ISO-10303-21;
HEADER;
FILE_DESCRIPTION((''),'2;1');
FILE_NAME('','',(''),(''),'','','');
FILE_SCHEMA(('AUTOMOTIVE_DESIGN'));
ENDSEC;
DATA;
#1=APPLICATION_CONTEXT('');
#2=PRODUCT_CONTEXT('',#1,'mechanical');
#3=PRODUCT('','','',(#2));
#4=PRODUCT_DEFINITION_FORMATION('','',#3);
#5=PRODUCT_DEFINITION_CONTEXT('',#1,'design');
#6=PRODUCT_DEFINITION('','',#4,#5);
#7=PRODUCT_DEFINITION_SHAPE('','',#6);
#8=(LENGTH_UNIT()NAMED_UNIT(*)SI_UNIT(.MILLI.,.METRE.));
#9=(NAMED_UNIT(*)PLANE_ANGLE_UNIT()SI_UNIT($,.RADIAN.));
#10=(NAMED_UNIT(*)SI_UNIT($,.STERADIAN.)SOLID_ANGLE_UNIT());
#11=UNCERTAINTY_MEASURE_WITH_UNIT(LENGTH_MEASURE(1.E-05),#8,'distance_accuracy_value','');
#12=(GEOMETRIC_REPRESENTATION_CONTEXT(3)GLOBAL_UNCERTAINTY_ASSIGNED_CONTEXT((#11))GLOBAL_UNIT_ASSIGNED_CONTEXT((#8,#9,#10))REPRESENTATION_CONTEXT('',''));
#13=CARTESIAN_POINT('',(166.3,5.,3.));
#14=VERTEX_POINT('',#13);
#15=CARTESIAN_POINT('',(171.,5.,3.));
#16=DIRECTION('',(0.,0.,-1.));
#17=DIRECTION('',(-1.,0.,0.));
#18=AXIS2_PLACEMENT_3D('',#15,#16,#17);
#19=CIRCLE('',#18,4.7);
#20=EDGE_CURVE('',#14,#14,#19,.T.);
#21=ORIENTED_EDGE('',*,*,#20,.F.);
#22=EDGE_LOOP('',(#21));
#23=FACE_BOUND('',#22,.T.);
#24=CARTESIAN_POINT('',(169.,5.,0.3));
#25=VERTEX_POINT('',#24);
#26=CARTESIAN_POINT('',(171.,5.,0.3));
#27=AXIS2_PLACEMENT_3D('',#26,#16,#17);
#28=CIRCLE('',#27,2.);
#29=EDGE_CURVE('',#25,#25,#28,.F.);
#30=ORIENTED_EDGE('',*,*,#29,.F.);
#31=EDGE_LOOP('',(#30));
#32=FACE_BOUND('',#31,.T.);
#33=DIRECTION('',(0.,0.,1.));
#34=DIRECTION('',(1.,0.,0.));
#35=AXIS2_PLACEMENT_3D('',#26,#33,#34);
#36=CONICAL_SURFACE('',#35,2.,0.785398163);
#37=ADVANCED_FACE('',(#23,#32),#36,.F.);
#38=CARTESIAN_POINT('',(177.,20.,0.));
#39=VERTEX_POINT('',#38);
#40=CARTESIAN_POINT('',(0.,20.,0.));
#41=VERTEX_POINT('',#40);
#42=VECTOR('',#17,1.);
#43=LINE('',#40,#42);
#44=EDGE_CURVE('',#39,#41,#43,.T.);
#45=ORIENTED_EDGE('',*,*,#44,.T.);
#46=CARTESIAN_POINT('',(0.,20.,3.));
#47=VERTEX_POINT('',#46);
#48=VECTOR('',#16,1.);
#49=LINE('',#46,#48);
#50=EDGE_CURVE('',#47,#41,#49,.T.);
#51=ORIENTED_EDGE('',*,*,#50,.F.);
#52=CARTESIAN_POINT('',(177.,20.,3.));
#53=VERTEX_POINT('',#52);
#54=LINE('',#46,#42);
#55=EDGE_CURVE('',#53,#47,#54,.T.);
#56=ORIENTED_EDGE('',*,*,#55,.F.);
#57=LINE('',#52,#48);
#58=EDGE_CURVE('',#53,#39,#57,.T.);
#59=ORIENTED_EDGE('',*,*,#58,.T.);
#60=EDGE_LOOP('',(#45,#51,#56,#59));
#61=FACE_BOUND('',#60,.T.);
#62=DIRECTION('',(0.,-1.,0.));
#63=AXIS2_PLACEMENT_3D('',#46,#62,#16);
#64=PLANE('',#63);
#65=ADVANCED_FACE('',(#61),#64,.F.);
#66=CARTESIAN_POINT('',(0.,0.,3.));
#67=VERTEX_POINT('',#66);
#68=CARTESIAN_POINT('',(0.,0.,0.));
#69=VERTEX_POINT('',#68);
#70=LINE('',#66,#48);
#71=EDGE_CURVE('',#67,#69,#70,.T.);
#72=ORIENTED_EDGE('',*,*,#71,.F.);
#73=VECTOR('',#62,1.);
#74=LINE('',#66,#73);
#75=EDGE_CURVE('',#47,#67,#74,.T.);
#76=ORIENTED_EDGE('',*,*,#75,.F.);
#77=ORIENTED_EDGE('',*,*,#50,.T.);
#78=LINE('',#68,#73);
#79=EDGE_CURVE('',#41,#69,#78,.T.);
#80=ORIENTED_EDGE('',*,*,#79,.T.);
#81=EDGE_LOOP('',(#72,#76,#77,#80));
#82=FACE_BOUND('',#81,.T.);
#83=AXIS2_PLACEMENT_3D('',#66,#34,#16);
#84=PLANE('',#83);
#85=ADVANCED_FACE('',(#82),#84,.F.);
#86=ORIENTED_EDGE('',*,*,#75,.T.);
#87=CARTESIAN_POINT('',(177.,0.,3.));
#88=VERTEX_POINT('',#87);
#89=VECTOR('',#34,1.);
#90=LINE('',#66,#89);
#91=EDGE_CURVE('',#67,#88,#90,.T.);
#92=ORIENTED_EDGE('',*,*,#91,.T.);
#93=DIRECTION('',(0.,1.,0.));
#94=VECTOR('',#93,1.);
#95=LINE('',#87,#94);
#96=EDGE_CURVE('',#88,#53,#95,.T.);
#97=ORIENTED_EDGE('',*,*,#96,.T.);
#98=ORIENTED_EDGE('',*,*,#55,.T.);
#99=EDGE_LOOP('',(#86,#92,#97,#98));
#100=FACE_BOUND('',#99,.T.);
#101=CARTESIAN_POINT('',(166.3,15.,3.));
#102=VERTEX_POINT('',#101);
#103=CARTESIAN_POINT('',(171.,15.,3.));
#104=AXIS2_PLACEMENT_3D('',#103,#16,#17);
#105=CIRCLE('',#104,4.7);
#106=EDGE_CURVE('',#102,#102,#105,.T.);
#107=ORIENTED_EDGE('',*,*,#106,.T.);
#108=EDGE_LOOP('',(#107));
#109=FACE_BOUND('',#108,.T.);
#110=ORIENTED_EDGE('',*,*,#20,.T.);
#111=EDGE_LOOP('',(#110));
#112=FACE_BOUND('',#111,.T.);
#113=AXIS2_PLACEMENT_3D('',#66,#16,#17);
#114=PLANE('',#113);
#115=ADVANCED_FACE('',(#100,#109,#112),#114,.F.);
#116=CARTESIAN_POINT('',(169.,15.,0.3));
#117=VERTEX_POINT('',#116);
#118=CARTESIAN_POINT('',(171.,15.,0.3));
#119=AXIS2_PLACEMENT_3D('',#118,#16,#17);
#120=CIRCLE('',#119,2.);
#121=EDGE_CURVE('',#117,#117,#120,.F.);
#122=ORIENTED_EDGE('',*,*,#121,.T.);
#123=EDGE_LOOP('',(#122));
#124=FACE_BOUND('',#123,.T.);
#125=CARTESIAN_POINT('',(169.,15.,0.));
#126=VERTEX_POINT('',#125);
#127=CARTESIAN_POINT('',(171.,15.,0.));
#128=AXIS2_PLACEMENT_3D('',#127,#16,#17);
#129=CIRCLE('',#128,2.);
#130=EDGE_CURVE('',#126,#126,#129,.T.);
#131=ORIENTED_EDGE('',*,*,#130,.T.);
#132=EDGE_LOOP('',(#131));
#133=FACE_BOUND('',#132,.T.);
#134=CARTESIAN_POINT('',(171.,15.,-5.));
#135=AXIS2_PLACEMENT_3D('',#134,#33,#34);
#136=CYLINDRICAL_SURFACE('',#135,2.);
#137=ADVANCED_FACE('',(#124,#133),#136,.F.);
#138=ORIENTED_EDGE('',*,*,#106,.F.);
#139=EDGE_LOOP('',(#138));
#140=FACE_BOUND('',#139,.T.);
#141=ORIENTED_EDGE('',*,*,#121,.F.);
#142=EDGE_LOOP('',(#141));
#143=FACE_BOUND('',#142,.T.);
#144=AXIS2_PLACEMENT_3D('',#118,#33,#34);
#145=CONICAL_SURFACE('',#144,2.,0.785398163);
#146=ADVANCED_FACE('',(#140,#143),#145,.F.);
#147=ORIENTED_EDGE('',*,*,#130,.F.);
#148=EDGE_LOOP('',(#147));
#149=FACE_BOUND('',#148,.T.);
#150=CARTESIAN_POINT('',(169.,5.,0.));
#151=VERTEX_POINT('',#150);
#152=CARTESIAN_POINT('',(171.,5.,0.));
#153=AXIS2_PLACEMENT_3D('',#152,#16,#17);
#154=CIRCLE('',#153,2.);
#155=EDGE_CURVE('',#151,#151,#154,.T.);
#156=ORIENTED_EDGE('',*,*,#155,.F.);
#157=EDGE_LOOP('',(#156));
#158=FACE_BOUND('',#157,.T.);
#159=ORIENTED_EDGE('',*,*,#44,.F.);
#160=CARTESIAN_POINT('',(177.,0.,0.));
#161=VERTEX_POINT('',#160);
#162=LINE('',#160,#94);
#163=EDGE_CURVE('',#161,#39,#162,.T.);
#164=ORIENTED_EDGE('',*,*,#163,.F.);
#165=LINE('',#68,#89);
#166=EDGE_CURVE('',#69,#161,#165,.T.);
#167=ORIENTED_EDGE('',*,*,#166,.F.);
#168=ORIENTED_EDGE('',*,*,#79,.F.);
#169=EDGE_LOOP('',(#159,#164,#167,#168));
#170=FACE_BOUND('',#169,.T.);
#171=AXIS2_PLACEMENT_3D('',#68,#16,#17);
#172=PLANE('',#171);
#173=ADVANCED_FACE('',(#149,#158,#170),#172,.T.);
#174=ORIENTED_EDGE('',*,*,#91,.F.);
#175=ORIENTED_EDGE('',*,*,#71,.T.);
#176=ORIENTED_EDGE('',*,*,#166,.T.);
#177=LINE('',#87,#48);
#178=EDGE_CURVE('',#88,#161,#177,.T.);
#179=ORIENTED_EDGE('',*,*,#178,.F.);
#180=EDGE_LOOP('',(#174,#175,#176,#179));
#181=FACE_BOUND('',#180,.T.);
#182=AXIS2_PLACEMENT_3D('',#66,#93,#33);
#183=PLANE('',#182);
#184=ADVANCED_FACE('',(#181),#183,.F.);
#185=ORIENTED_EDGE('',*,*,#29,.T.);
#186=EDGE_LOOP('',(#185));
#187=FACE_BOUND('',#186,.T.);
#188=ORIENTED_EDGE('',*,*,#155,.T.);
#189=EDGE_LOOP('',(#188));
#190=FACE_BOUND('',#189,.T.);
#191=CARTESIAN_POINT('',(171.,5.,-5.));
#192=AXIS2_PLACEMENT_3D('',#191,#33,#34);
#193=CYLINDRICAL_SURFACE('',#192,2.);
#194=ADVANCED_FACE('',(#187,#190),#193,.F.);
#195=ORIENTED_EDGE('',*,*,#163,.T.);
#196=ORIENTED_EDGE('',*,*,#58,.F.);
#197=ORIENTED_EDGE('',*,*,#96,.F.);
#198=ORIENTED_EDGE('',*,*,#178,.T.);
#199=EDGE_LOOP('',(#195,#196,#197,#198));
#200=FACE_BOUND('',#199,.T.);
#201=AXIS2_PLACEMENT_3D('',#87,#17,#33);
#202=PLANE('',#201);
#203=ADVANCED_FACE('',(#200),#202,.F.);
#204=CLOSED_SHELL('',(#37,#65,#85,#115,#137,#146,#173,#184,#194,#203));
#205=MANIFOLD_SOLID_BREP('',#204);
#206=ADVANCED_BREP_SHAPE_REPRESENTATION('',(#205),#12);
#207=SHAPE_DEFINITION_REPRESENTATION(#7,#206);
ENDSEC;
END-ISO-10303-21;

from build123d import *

# Parameters (mm, degrees)
SKIZZE1_W                       = 177
SKIZZE1_H                       = 20
AUFSATZ_LINEAR_AUSTRAGEN1_DEPTH = 3
SKIZZE3_R                       = 2
SCHNITT_LINEAR_AUSTRAGEN1_DEPTH = 8
FASE1_SIZE                      = 2.7
SKIZZE5_R                       = 2
SCHNITT_LINEAR_AUSTRAGEN2_DEPTH = 8
FASE2_SIZE                      = 2.7


with BuildPart() as part:
    # Skizze1 → Aufsatz-Linear austragen1 (new body)
    with BuildSketch(Plane.XY):
        with Locations((88.5, 10)):
            Rectangle(SKIZZE1_W, SKIZZE1_H)
    extrude(amount=AUFSATZ_LINEAR_AUSTRAGEN1_DEPTH)

    # Skizze3 → Schnitt-Linear austragen1 (cut)
    with BuildSketch(Plane.XY.offset(3)):
        with Locations((171, 5)):
            Circle(SKIZZE3_R)
    extrude(amount=-SCHNITT_LINEAR_AUSTRAGEN1_DEPTH, mode=Mode.SUBTRACT)

    # Fase1
    fase1_edges = [part.edges().sort_by_distance(p)[0] for p in [
        (169, 5, 3),
    ]]
    chamfer(fase1_edges, length=FASE1_SIZE)

    # Skizze5 → Schnitt-Linear austragen2 (cut)
    with BuildSketch(Plane.XY.offset(3)):
        with Locations((171, 15)):
            Circle(SKIZZE5_R)
    extrude(amount=-SCHNITT_LINEAR_AUSTRAGEN2_DEPTH, mode=Mode.SUBTRACT)

    # Fase2
    fase2_edges = [part.edges().sort_by_distance(p)[0] for p in [
        (169, 15, 3),
    ]]
    chamfer(fase2_edges, length=FASE2_SIZE)


solid = part.part
